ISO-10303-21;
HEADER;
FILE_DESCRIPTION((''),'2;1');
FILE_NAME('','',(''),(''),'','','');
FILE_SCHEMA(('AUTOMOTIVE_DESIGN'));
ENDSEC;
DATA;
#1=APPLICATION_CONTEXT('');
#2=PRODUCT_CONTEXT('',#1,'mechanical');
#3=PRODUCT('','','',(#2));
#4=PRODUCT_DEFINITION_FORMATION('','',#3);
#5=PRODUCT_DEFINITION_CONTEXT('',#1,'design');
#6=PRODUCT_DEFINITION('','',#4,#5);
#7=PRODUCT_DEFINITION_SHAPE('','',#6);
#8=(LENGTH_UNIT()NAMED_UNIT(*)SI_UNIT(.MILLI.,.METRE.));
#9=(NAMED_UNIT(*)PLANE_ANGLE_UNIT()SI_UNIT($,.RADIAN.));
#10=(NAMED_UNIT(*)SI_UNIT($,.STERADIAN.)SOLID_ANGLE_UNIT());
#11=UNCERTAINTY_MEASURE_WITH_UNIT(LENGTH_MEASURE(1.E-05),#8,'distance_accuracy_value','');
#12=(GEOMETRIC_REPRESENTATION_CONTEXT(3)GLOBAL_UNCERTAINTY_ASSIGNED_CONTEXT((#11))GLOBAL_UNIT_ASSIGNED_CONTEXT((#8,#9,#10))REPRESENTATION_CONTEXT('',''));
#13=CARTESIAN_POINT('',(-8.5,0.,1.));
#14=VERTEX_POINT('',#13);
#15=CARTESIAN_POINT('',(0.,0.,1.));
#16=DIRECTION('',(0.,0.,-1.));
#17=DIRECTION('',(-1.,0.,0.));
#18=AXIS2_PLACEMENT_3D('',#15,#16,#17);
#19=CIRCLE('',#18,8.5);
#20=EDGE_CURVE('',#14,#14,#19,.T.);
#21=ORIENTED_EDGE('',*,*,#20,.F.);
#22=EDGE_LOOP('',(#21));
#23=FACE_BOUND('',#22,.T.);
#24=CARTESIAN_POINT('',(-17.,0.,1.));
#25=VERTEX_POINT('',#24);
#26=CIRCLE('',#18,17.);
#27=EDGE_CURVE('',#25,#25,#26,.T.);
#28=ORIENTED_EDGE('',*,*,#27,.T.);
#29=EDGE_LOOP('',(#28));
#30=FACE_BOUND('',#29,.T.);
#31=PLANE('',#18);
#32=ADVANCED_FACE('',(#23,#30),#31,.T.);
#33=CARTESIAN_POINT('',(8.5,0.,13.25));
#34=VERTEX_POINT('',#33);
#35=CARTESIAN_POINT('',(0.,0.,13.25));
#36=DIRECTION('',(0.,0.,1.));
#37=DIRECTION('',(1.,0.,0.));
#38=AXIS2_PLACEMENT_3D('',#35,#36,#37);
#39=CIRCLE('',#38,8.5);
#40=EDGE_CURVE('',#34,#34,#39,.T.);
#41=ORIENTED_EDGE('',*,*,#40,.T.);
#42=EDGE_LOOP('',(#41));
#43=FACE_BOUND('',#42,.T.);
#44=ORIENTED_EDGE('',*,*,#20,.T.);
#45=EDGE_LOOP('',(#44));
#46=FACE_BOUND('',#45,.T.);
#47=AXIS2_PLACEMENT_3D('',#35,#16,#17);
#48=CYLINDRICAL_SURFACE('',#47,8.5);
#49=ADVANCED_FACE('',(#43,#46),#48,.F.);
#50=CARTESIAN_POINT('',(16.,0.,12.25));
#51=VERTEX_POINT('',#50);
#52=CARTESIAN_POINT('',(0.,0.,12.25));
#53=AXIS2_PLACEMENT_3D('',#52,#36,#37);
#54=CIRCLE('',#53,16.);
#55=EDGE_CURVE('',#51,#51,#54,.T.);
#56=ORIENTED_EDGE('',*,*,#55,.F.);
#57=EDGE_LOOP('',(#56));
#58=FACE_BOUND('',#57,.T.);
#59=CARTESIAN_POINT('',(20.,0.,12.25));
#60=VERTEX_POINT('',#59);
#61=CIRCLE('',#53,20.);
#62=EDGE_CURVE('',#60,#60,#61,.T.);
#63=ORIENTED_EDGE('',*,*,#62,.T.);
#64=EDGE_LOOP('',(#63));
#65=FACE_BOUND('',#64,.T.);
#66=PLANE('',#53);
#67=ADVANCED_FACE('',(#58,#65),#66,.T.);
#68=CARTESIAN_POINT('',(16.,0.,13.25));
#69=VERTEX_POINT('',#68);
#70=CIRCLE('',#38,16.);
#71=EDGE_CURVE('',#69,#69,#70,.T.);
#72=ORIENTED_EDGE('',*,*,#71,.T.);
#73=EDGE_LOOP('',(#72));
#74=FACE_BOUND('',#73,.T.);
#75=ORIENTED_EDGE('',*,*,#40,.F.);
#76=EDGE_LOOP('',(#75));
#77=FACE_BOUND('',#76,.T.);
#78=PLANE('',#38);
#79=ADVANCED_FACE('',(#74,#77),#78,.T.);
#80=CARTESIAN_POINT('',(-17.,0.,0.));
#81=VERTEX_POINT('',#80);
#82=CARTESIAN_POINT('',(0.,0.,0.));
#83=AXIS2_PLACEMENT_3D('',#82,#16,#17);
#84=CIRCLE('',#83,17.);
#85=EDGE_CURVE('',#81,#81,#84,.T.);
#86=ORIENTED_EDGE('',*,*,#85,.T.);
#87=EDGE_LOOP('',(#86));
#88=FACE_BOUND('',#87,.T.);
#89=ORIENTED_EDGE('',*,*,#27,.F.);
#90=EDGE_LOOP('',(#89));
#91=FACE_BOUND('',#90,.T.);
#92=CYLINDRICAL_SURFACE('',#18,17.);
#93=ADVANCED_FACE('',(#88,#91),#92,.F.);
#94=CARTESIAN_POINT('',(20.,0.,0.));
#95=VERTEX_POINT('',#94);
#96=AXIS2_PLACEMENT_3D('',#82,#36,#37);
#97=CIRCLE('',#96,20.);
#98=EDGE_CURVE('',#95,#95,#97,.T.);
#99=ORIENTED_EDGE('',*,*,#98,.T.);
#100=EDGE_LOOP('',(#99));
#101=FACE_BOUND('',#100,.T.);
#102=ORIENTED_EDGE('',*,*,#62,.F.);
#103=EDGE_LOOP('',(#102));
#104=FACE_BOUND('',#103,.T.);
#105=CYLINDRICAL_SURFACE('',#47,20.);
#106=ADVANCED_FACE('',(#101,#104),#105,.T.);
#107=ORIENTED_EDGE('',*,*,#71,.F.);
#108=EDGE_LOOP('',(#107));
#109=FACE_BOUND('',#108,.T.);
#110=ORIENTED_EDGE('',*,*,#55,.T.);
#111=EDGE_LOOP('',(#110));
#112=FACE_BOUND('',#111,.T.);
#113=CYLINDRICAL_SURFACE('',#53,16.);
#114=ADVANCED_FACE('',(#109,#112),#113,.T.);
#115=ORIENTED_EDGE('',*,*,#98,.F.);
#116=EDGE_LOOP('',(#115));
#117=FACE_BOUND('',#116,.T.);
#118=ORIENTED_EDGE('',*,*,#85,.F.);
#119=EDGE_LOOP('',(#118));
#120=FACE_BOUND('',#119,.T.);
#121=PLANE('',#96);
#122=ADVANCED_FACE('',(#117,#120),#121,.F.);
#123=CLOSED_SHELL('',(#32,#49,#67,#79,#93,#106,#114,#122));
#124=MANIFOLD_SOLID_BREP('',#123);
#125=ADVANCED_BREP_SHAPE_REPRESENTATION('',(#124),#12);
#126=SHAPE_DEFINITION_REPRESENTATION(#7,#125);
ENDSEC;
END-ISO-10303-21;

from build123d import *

# Parameters (mm, degrees)
ESQUISSE1_R             = 20
ESQUISSE1_R_2           = 8.5
BOSS_EXTRU_1_DEPTH      = 13.25
ESQUISSE2_R             = 17
ENL_V_MAT_EXTRU_1_DEPTH = 1
ESQUISSE3_OUTSIDE_W     = 53.62
ESQUISSE3_OUTSIDE_H     = 53.62
ESQUISSE3_OUTSIDE_R     = 16
ENL_V_MAT_EXTRU_2_DEPTH = 1


with BuildPart() as part:
    # Esquisse1 → Boss.-Extru.1 (new body)
    with BuildSketch(Plane.XY):
        Circle(ESQUISSE1_R)
        Circle(ESQUISSE1_R_2, mode=Mode.SUBTRACT)
    extrude(amount=BOSS_EXTRU_1_DEPTH)

    # Esquisse2 → Enlèv. mat.-Extru.1 (cut)
    with BuildSketch(Plane(origin=(0, 0, 0), x_dir=(-1, 0, 0), z_dir=(0, 0, -1))):
        Circle(ESQUISSE2_R)
    extrude(amount=-ENL_V_MAT_EXTRU_1_DEPTH, mode=Mode.SUBTRACT)

    # Esquisse3 outside → Enlèv. mat.-Extru.2 (cut)
    with BuildSketch(Plane.XY.offset(13.25)):
        Rectangle(ESQUISSE3_OUTSIDE_W, ESQUISSE3_OUTSIDE_H)
        Circle(ESQUISSE3_OUTSIDE_R, mode=Mode.SUBTRACT)
    extrude(amount=-ENL_V_MAT_EXTRU_2_DEPTH, mode=Mode.SUBTRACT)


solid = part.part
